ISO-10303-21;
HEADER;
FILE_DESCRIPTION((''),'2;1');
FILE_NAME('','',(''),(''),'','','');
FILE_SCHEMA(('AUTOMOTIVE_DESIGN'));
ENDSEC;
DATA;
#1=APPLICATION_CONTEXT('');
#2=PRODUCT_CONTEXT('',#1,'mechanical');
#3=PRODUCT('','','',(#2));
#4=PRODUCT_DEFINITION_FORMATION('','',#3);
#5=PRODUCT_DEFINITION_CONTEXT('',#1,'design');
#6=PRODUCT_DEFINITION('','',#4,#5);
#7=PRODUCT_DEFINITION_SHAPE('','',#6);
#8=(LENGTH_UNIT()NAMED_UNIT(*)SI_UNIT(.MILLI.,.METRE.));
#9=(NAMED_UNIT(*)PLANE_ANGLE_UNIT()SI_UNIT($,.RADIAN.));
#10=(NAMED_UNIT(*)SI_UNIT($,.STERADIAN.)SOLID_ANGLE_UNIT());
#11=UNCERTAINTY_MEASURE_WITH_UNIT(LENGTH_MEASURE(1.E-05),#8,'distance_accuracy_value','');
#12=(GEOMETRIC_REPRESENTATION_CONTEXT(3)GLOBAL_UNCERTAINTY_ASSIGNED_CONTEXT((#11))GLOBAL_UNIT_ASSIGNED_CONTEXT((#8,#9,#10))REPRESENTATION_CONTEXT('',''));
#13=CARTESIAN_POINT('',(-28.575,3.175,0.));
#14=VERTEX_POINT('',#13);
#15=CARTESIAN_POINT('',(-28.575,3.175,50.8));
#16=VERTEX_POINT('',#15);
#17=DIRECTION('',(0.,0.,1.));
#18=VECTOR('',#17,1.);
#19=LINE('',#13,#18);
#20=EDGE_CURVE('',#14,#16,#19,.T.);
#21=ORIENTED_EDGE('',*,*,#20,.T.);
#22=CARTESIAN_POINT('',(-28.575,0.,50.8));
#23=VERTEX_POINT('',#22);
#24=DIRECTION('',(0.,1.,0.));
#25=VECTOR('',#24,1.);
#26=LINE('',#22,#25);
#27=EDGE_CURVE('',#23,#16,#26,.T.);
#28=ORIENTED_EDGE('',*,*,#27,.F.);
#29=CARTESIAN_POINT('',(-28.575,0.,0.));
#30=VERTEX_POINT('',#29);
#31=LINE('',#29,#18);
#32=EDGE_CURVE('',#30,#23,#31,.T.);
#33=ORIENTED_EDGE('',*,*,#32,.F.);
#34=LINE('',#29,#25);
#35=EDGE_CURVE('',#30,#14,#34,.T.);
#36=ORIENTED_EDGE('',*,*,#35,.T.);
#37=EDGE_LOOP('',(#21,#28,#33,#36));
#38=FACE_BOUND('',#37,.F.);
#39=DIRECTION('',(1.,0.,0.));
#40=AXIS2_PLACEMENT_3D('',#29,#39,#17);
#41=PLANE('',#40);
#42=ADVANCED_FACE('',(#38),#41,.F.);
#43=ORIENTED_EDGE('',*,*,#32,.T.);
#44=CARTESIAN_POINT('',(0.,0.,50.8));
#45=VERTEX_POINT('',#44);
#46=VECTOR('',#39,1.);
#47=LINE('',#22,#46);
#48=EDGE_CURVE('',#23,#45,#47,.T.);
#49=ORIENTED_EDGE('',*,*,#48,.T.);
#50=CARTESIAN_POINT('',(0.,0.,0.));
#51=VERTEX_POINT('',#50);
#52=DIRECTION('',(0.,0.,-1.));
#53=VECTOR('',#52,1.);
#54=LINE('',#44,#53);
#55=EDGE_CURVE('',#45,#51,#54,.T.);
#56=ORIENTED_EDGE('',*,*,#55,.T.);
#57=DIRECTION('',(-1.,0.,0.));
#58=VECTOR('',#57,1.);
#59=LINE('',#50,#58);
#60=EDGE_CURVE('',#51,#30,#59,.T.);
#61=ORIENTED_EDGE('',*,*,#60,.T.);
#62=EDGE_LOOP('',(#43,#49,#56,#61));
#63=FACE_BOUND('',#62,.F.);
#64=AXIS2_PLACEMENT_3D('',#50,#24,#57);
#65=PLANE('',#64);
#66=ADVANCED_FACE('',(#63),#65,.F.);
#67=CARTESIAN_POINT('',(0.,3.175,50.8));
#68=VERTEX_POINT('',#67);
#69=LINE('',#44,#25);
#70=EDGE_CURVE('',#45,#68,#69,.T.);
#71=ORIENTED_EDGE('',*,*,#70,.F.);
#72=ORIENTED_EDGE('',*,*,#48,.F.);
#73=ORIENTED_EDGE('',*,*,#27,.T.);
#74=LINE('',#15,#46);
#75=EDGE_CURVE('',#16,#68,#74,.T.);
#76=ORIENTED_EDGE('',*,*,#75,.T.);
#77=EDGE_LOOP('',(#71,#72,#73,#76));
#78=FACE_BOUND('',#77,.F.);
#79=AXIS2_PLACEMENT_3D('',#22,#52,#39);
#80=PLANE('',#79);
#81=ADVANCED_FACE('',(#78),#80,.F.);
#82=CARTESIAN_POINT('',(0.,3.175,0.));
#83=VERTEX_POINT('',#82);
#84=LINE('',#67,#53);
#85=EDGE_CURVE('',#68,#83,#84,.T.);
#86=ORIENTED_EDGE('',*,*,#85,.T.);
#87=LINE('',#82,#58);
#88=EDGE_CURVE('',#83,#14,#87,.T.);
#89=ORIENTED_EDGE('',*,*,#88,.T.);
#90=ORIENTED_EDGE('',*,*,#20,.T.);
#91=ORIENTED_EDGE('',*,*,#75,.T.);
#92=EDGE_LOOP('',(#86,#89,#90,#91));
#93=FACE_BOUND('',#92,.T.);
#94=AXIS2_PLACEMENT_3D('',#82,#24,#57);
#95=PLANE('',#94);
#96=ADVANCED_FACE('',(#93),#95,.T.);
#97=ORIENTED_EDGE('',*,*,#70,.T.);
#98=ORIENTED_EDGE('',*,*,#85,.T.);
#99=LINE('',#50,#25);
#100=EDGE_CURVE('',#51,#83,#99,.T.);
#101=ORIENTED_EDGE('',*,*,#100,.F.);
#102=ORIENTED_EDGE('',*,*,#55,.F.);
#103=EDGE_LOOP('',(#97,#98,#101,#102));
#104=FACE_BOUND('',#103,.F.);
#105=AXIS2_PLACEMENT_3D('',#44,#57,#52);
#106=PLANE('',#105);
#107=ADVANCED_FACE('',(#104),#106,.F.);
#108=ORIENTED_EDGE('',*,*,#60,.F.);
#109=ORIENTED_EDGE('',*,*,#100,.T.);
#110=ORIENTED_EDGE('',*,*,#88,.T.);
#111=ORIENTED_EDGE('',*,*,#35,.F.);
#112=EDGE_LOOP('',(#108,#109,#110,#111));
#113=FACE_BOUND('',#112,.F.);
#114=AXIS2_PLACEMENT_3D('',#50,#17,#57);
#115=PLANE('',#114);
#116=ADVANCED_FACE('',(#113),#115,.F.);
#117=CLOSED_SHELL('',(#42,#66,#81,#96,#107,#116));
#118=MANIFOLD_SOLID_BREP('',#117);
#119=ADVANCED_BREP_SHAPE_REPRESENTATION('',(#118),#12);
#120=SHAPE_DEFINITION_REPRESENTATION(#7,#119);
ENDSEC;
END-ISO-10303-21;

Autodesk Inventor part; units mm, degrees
ref_plane "YZ Plane" through (0, 0, 0) normal (1, 0, 0) x (0, 1, 0)
ref_plane "XZ Plane" through (0, 0, 0) normal (0, 1, 0) x (-1, 0, 0)
ref_plane "XY Plane" through (0, 0, 0) normal (0, 0, 1) x (1, 0, 0)
sketch "Sketch1" plane through (0, 0, 0) normal (0, 1, 0) x (-1, 0, 0)
  line L0 (0, 0) -> (28.575, 0)
  line L1 (28.575, 0) -> (28.575, 50.8)
  line L2 (28.575, 50.8) -> (0, 50.8)
  line L3 (0, 50.8) -> (0, 0)
  dimension "d0" = 28.575
  dimension "d3" = 50.8
extrude "Extrusion1" add sketch "Sketch1" along normal blind 3.175
properties part number "squareBrace"
